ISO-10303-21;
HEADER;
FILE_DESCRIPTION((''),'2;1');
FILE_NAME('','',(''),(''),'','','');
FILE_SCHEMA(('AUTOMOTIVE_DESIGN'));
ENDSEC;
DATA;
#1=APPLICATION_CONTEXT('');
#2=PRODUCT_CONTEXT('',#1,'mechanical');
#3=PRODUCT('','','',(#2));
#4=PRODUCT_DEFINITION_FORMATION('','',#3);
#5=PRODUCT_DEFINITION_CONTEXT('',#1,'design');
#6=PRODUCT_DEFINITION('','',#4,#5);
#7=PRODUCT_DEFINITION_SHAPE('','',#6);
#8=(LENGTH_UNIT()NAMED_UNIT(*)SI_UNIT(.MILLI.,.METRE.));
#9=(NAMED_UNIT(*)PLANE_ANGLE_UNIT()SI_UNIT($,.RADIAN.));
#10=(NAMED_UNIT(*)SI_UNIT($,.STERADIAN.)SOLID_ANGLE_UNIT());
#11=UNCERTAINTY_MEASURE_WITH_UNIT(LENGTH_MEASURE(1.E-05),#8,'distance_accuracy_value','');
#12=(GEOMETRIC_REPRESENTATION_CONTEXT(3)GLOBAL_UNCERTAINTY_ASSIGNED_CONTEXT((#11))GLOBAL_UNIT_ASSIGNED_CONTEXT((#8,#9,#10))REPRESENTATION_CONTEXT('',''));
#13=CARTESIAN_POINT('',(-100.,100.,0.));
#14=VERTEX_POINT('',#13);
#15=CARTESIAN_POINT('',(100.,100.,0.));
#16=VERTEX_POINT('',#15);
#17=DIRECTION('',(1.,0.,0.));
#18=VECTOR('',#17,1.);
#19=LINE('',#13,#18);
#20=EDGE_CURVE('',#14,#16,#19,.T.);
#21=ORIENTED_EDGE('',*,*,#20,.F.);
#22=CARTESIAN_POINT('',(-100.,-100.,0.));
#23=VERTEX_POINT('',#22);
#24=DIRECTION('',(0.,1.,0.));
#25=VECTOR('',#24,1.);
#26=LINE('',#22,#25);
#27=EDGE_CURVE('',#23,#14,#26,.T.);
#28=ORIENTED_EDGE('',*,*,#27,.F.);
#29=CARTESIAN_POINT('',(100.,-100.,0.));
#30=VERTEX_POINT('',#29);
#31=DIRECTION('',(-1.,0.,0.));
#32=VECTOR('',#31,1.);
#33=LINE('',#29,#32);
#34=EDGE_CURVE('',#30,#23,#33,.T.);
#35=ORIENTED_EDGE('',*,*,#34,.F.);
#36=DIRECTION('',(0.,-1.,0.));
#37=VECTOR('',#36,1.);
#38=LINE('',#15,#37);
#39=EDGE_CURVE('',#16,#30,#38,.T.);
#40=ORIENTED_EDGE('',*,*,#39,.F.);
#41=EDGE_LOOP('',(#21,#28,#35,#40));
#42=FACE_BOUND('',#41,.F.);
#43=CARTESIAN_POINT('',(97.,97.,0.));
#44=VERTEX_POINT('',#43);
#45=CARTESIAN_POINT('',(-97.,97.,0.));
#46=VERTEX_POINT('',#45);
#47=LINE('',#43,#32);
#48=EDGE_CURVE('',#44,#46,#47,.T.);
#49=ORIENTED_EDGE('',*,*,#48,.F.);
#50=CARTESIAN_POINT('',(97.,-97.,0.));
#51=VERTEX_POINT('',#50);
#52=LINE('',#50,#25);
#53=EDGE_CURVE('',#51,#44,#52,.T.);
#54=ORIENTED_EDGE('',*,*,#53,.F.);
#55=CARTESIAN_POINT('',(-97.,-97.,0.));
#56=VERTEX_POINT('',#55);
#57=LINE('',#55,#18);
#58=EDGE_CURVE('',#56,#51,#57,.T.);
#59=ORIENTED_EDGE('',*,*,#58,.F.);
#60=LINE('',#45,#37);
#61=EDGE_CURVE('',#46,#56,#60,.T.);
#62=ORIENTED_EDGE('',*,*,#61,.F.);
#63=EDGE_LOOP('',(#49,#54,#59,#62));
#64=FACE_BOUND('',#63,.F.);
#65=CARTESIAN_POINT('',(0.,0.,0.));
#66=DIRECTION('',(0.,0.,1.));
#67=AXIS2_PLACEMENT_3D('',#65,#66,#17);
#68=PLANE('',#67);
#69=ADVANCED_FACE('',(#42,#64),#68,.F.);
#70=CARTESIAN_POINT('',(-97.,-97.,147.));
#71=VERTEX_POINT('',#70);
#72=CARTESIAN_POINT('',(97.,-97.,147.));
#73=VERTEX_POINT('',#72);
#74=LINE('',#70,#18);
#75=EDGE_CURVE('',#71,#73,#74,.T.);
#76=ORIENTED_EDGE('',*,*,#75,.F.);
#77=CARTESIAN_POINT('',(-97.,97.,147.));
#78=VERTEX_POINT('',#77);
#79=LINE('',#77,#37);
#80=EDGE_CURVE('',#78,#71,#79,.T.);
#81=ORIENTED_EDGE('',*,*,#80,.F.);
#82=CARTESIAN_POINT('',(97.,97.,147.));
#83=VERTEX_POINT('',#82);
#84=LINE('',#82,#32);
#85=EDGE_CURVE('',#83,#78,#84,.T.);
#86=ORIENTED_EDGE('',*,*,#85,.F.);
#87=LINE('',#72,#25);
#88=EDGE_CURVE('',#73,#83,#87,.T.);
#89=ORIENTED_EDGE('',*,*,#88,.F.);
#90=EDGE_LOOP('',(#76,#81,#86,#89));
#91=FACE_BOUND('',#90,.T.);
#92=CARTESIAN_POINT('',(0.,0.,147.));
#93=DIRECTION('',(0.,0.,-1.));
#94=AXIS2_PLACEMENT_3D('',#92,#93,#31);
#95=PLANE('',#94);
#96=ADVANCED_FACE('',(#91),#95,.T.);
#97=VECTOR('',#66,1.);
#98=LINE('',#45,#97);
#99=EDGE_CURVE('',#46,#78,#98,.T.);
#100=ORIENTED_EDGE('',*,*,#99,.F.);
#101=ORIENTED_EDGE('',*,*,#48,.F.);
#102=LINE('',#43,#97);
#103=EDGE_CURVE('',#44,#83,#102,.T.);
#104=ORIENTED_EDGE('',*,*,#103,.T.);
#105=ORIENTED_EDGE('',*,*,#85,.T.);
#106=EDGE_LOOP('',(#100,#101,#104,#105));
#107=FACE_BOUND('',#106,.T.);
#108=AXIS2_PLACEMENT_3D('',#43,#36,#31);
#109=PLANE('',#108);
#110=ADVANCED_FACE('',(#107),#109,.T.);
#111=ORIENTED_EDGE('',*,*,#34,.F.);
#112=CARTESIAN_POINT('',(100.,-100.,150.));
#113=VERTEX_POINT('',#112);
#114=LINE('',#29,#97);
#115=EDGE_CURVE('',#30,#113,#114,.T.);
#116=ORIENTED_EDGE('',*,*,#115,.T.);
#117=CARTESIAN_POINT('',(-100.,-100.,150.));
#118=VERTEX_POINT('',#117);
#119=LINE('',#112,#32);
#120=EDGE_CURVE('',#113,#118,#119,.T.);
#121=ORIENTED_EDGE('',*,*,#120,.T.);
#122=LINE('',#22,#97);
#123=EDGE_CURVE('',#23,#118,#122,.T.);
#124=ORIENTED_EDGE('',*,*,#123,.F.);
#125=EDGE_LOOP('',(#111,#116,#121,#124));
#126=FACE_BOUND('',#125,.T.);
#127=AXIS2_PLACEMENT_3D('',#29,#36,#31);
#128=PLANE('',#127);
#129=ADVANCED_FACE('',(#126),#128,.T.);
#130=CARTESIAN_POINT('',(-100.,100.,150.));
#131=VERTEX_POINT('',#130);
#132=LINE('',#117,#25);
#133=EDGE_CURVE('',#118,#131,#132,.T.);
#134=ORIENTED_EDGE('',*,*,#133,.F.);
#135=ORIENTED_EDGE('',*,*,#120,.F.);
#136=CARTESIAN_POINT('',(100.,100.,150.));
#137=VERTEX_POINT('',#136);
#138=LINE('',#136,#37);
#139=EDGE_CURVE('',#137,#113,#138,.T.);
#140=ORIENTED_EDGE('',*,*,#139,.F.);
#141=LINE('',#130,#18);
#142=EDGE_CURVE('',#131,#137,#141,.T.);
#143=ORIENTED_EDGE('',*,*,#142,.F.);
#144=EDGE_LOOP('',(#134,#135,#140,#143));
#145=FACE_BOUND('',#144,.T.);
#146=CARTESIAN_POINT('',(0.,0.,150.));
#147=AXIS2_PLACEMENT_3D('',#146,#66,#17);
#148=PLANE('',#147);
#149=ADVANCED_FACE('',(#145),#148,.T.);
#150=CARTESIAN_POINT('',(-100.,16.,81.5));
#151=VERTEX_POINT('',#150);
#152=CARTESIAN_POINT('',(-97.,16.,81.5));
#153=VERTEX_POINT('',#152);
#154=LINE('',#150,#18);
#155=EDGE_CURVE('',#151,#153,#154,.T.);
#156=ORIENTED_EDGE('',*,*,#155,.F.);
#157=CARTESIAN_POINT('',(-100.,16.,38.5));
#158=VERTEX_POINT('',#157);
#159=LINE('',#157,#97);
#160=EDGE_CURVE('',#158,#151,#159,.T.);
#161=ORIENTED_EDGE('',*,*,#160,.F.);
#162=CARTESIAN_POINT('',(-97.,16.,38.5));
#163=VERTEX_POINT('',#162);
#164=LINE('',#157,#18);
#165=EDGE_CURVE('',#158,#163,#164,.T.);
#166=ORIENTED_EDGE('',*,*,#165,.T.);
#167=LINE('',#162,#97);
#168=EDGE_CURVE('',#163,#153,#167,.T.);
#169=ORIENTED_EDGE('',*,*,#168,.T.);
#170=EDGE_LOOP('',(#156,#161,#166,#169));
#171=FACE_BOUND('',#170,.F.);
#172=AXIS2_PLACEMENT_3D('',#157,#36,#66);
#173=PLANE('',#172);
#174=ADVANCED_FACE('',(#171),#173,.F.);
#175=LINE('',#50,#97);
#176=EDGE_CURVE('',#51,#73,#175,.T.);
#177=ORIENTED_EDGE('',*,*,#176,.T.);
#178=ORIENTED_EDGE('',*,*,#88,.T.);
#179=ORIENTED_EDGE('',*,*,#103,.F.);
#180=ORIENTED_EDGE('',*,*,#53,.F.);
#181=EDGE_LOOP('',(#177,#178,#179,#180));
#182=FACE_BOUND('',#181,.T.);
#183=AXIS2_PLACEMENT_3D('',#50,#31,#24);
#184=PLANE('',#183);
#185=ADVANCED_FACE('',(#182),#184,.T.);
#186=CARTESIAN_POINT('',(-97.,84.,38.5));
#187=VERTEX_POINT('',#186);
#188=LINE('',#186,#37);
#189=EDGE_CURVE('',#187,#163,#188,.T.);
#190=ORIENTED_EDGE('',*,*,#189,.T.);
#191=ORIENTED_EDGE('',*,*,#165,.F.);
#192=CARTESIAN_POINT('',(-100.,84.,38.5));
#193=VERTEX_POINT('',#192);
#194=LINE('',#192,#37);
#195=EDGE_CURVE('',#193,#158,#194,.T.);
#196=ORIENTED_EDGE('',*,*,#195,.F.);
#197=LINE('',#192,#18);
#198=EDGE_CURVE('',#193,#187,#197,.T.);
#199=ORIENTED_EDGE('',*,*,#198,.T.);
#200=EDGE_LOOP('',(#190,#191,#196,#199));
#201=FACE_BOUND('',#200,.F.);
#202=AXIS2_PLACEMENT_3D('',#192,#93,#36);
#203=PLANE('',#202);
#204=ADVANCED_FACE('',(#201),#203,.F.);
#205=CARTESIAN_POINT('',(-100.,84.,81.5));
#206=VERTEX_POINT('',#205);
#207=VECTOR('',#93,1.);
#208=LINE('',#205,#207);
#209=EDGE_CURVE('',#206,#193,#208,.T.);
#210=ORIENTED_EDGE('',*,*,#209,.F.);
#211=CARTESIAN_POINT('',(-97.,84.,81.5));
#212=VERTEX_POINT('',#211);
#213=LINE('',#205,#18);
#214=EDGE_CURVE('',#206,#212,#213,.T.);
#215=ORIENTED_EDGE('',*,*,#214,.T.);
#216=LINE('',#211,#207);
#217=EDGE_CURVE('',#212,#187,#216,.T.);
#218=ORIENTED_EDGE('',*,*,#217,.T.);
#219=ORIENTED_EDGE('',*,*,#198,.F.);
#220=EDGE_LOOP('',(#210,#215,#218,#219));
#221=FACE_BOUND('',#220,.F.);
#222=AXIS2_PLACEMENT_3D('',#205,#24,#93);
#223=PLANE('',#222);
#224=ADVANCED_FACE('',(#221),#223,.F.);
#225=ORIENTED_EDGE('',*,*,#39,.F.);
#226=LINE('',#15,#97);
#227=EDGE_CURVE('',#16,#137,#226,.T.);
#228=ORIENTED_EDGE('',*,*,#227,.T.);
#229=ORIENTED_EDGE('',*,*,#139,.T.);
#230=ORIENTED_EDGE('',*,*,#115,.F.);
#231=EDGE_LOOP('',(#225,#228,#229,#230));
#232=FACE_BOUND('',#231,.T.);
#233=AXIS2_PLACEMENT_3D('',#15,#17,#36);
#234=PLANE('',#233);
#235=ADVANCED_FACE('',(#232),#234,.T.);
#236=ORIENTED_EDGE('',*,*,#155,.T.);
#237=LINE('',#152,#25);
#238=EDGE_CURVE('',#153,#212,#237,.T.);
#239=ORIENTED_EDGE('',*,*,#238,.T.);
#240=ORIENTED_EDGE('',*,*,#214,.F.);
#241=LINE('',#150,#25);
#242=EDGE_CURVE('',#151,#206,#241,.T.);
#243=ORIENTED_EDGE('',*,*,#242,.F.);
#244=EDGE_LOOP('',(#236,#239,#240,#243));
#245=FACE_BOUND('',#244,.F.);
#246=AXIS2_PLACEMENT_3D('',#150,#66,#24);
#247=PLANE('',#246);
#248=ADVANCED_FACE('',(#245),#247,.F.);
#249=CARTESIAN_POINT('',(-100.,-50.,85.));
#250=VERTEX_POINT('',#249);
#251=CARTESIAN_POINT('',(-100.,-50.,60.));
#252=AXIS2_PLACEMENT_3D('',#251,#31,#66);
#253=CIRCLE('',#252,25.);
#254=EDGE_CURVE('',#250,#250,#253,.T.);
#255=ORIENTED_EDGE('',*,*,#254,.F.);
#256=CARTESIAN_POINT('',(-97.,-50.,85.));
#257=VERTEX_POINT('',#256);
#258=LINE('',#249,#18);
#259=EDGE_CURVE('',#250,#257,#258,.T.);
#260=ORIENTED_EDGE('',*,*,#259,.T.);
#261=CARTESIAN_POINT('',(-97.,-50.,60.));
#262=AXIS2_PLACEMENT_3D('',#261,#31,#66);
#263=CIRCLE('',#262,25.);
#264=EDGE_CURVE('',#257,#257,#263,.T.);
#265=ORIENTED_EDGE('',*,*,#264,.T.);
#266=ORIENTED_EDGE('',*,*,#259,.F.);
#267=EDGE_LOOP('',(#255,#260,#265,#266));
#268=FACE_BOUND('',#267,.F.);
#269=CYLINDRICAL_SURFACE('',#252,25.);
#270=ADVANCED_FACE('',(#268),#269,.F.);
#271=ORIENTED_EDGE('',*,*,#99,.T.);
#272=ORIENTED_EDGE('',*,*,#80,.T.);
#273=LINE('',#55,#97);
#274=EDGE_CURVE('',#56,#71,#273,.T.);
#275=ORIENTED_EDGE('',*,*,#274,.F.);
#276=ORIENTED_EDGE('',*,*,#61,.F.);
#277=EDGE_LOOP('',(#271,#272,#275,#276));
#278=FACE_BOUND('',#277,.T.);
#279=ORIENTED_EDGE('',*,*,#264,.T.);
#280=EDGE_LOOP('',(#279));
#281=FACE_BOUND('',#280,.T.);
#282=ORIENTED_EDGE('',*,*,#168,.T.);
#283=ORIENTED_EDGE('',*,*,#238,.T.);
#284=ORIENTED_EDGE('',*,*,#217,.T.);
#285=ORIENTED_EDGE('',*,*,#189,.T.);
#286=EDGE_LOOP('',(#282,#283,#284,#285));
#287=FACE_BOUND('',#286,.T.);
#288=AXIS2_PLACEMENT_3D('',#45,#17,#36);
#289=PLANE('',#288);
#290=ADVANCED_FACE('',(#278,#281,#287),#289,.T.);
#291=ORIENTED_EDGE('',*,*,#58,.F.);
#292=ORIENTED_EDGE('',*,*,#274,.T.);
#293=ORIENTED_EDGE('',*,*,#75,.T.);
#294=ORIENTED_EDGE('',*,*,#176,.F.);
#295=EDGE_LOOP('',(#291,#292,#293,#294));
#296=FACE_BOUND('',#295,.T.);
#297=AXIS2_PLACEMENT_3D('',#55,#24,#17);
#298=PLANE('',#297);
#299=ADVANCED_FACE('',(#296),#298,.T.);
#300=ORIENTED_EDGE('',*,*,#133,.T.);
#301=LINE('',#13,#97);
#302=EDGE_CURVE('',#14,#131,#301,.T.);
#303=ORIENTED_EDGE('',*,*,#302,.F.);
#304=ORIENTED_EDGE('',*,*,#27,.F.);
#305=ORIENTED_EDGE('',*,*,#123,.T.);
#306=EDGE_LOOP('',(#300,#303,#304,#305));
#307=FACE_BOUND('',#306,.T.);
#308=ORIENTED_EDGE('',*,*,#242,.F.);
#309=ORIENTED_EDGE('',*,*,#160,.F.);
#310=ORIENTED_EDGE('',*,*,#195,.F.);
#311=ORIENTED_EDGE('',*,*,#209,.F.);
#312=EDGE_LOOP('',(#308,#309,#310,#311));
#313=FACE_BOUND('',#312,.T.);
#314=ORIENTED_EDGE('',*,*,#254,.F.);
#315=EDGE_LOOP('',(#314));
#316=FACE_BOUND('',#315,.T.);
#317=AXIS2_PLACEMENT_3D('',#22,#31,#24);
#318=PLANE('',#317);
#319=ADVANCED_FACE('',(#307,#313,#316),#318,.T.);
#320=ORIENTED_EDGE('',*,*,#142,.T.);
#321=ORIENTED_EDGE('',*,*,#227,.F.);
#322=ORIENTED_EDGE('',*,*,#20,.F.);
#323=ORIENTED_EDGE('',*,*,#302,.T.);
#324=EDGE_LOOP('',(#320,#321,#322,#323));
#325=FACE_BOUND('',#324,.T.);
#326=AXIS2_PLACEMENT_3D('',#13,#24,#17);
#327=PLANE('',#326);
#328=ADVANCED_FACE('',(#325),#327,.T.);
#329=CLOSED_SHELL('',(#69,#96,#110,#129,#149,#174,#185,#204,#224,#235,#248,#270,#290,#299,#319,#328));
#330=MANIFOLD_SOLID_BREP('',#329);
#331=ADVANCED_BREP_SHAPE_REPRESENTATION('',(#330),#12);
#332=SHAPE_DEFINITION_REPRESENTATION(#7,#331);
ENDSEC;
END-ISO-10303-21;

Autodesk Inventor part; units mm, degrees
sketch "Sketch2" plane through (0, 0, 0) normal (0, 0, 1) x (1, 0, 0)
  line L0 (100, -100) -> (-100, -100)
  line L1 (-100, -100) -> (-100, 100)
  line L2 (-100, 100) -> (100, 100)
  line L3 (100, 100) -> (100, -100)
  line L4 (100, -100) -> (-100, 100) construction
  line L5 (-100, -100) -> (100, 100) construction
  point P0 (0, 0)
  dimension "d0" = 200
  dimension "d1" = 200
extrude "Extrusion1" add sketch "Sketch2" along normal blind 150
sketch "Sketch3" plane through (0, 0, 0) normal (0, 0, -1) x (-1, 0, 0)
  line L0 (-97, 97) -> (97, 97)
  line L1 (97, 97) -> (97, -97)
  line L2 (97, -97) -> (-97, -97)
  line L3 (-97, -97) -> (-97, 97)
  line L4 (-97, 97) -> (97, -97) construction
  line L5 (97, 97) -> (-97, -97) construction
  line L6 (-100, 100) -> (100, 100) construction
  line L7 (-100, -100) -> (-100, 100) construction
  line L8 (100, -100) -> (-100, -100) construction
  line L9 (100, 100) -> (100, -100) construction
  point P0 (0, 0)
  dimension "d4" = 3
  dimension "d5" = 3
extrude "Extrusion2" cut sketch "Sketch3" against normal blind 147
sketch "Sketch4" plane through (-100, -100, 0) normal (-1, 0, 0) x (0, 0, 1)
  line L0 (0, 200) -> (0, 0) construction
  line L1 (0, 0) -> (150, 0) construction
  line L2 (150, 200) -> (150, 0) construction
  line L3 (0, 200) -> (150, 200) construction
  line L4 (38.5, 116) -> (81.5, 116)
  line L5 (81.5, 116) -> (81.5, 184)
  line L6 (81.5, 184) -> (38.5, 184)
  line L7 (38.5, 184) -> (38.5, 116)
  line L8 (38.5, 116) -> (81.5, 184) construction
  line L9 (81.5, 116) -> (38.5, 184) construction
  circle A0 centre (60, 50) radius 25
  line L10 (0, 200) -> (0, 0) construction
  point P0 (0, 100)
  point P1 (60, 150)
  dimension "d8" = 43
  dimension "d9" = 68
  dimension "d10" = 50
  dimension "d11" = 60
  dimension "d12" = 60
  dimension "d13" = 200
  dimension "d14" = 50
  dimension "d15" = 50
extrude "Extrusion3" cut sketch "Sketch4" against normal up to surface (3 mm away)
sketch "Sketch5" plane through (-100, -100, 0) normal (0, -1, 0) x (1, 0, 0)
  point P0 (100, 0)
sketch "Sketch6" plane through (0, 0, 0) normal (0, 0, -1) x (-1, 0, 0)
  line L0 (97, 97) -> (97, -97) construction
  line L1 (97, -97) -> (-97, -97) construction
  line L2 (-97, -97) -> (-97, 97) construction
  line L3 (-97, 97) -> (97, 97) construction
  line L4 (-100, 100) -> (100, 100) construction
  line L5 (-100, -100) -> (-100, 100) construction
  line L6 (100, -100) -> (-100, -100) construction
  line L7 (100, 100) -> (100, -100) construction
  point P0 (0, 0)
equation "\"d14\" = 0.25 * d13"
equation "\"d15\" = 0.25 * d13"
properties part number "P022_Coque_boitier"
